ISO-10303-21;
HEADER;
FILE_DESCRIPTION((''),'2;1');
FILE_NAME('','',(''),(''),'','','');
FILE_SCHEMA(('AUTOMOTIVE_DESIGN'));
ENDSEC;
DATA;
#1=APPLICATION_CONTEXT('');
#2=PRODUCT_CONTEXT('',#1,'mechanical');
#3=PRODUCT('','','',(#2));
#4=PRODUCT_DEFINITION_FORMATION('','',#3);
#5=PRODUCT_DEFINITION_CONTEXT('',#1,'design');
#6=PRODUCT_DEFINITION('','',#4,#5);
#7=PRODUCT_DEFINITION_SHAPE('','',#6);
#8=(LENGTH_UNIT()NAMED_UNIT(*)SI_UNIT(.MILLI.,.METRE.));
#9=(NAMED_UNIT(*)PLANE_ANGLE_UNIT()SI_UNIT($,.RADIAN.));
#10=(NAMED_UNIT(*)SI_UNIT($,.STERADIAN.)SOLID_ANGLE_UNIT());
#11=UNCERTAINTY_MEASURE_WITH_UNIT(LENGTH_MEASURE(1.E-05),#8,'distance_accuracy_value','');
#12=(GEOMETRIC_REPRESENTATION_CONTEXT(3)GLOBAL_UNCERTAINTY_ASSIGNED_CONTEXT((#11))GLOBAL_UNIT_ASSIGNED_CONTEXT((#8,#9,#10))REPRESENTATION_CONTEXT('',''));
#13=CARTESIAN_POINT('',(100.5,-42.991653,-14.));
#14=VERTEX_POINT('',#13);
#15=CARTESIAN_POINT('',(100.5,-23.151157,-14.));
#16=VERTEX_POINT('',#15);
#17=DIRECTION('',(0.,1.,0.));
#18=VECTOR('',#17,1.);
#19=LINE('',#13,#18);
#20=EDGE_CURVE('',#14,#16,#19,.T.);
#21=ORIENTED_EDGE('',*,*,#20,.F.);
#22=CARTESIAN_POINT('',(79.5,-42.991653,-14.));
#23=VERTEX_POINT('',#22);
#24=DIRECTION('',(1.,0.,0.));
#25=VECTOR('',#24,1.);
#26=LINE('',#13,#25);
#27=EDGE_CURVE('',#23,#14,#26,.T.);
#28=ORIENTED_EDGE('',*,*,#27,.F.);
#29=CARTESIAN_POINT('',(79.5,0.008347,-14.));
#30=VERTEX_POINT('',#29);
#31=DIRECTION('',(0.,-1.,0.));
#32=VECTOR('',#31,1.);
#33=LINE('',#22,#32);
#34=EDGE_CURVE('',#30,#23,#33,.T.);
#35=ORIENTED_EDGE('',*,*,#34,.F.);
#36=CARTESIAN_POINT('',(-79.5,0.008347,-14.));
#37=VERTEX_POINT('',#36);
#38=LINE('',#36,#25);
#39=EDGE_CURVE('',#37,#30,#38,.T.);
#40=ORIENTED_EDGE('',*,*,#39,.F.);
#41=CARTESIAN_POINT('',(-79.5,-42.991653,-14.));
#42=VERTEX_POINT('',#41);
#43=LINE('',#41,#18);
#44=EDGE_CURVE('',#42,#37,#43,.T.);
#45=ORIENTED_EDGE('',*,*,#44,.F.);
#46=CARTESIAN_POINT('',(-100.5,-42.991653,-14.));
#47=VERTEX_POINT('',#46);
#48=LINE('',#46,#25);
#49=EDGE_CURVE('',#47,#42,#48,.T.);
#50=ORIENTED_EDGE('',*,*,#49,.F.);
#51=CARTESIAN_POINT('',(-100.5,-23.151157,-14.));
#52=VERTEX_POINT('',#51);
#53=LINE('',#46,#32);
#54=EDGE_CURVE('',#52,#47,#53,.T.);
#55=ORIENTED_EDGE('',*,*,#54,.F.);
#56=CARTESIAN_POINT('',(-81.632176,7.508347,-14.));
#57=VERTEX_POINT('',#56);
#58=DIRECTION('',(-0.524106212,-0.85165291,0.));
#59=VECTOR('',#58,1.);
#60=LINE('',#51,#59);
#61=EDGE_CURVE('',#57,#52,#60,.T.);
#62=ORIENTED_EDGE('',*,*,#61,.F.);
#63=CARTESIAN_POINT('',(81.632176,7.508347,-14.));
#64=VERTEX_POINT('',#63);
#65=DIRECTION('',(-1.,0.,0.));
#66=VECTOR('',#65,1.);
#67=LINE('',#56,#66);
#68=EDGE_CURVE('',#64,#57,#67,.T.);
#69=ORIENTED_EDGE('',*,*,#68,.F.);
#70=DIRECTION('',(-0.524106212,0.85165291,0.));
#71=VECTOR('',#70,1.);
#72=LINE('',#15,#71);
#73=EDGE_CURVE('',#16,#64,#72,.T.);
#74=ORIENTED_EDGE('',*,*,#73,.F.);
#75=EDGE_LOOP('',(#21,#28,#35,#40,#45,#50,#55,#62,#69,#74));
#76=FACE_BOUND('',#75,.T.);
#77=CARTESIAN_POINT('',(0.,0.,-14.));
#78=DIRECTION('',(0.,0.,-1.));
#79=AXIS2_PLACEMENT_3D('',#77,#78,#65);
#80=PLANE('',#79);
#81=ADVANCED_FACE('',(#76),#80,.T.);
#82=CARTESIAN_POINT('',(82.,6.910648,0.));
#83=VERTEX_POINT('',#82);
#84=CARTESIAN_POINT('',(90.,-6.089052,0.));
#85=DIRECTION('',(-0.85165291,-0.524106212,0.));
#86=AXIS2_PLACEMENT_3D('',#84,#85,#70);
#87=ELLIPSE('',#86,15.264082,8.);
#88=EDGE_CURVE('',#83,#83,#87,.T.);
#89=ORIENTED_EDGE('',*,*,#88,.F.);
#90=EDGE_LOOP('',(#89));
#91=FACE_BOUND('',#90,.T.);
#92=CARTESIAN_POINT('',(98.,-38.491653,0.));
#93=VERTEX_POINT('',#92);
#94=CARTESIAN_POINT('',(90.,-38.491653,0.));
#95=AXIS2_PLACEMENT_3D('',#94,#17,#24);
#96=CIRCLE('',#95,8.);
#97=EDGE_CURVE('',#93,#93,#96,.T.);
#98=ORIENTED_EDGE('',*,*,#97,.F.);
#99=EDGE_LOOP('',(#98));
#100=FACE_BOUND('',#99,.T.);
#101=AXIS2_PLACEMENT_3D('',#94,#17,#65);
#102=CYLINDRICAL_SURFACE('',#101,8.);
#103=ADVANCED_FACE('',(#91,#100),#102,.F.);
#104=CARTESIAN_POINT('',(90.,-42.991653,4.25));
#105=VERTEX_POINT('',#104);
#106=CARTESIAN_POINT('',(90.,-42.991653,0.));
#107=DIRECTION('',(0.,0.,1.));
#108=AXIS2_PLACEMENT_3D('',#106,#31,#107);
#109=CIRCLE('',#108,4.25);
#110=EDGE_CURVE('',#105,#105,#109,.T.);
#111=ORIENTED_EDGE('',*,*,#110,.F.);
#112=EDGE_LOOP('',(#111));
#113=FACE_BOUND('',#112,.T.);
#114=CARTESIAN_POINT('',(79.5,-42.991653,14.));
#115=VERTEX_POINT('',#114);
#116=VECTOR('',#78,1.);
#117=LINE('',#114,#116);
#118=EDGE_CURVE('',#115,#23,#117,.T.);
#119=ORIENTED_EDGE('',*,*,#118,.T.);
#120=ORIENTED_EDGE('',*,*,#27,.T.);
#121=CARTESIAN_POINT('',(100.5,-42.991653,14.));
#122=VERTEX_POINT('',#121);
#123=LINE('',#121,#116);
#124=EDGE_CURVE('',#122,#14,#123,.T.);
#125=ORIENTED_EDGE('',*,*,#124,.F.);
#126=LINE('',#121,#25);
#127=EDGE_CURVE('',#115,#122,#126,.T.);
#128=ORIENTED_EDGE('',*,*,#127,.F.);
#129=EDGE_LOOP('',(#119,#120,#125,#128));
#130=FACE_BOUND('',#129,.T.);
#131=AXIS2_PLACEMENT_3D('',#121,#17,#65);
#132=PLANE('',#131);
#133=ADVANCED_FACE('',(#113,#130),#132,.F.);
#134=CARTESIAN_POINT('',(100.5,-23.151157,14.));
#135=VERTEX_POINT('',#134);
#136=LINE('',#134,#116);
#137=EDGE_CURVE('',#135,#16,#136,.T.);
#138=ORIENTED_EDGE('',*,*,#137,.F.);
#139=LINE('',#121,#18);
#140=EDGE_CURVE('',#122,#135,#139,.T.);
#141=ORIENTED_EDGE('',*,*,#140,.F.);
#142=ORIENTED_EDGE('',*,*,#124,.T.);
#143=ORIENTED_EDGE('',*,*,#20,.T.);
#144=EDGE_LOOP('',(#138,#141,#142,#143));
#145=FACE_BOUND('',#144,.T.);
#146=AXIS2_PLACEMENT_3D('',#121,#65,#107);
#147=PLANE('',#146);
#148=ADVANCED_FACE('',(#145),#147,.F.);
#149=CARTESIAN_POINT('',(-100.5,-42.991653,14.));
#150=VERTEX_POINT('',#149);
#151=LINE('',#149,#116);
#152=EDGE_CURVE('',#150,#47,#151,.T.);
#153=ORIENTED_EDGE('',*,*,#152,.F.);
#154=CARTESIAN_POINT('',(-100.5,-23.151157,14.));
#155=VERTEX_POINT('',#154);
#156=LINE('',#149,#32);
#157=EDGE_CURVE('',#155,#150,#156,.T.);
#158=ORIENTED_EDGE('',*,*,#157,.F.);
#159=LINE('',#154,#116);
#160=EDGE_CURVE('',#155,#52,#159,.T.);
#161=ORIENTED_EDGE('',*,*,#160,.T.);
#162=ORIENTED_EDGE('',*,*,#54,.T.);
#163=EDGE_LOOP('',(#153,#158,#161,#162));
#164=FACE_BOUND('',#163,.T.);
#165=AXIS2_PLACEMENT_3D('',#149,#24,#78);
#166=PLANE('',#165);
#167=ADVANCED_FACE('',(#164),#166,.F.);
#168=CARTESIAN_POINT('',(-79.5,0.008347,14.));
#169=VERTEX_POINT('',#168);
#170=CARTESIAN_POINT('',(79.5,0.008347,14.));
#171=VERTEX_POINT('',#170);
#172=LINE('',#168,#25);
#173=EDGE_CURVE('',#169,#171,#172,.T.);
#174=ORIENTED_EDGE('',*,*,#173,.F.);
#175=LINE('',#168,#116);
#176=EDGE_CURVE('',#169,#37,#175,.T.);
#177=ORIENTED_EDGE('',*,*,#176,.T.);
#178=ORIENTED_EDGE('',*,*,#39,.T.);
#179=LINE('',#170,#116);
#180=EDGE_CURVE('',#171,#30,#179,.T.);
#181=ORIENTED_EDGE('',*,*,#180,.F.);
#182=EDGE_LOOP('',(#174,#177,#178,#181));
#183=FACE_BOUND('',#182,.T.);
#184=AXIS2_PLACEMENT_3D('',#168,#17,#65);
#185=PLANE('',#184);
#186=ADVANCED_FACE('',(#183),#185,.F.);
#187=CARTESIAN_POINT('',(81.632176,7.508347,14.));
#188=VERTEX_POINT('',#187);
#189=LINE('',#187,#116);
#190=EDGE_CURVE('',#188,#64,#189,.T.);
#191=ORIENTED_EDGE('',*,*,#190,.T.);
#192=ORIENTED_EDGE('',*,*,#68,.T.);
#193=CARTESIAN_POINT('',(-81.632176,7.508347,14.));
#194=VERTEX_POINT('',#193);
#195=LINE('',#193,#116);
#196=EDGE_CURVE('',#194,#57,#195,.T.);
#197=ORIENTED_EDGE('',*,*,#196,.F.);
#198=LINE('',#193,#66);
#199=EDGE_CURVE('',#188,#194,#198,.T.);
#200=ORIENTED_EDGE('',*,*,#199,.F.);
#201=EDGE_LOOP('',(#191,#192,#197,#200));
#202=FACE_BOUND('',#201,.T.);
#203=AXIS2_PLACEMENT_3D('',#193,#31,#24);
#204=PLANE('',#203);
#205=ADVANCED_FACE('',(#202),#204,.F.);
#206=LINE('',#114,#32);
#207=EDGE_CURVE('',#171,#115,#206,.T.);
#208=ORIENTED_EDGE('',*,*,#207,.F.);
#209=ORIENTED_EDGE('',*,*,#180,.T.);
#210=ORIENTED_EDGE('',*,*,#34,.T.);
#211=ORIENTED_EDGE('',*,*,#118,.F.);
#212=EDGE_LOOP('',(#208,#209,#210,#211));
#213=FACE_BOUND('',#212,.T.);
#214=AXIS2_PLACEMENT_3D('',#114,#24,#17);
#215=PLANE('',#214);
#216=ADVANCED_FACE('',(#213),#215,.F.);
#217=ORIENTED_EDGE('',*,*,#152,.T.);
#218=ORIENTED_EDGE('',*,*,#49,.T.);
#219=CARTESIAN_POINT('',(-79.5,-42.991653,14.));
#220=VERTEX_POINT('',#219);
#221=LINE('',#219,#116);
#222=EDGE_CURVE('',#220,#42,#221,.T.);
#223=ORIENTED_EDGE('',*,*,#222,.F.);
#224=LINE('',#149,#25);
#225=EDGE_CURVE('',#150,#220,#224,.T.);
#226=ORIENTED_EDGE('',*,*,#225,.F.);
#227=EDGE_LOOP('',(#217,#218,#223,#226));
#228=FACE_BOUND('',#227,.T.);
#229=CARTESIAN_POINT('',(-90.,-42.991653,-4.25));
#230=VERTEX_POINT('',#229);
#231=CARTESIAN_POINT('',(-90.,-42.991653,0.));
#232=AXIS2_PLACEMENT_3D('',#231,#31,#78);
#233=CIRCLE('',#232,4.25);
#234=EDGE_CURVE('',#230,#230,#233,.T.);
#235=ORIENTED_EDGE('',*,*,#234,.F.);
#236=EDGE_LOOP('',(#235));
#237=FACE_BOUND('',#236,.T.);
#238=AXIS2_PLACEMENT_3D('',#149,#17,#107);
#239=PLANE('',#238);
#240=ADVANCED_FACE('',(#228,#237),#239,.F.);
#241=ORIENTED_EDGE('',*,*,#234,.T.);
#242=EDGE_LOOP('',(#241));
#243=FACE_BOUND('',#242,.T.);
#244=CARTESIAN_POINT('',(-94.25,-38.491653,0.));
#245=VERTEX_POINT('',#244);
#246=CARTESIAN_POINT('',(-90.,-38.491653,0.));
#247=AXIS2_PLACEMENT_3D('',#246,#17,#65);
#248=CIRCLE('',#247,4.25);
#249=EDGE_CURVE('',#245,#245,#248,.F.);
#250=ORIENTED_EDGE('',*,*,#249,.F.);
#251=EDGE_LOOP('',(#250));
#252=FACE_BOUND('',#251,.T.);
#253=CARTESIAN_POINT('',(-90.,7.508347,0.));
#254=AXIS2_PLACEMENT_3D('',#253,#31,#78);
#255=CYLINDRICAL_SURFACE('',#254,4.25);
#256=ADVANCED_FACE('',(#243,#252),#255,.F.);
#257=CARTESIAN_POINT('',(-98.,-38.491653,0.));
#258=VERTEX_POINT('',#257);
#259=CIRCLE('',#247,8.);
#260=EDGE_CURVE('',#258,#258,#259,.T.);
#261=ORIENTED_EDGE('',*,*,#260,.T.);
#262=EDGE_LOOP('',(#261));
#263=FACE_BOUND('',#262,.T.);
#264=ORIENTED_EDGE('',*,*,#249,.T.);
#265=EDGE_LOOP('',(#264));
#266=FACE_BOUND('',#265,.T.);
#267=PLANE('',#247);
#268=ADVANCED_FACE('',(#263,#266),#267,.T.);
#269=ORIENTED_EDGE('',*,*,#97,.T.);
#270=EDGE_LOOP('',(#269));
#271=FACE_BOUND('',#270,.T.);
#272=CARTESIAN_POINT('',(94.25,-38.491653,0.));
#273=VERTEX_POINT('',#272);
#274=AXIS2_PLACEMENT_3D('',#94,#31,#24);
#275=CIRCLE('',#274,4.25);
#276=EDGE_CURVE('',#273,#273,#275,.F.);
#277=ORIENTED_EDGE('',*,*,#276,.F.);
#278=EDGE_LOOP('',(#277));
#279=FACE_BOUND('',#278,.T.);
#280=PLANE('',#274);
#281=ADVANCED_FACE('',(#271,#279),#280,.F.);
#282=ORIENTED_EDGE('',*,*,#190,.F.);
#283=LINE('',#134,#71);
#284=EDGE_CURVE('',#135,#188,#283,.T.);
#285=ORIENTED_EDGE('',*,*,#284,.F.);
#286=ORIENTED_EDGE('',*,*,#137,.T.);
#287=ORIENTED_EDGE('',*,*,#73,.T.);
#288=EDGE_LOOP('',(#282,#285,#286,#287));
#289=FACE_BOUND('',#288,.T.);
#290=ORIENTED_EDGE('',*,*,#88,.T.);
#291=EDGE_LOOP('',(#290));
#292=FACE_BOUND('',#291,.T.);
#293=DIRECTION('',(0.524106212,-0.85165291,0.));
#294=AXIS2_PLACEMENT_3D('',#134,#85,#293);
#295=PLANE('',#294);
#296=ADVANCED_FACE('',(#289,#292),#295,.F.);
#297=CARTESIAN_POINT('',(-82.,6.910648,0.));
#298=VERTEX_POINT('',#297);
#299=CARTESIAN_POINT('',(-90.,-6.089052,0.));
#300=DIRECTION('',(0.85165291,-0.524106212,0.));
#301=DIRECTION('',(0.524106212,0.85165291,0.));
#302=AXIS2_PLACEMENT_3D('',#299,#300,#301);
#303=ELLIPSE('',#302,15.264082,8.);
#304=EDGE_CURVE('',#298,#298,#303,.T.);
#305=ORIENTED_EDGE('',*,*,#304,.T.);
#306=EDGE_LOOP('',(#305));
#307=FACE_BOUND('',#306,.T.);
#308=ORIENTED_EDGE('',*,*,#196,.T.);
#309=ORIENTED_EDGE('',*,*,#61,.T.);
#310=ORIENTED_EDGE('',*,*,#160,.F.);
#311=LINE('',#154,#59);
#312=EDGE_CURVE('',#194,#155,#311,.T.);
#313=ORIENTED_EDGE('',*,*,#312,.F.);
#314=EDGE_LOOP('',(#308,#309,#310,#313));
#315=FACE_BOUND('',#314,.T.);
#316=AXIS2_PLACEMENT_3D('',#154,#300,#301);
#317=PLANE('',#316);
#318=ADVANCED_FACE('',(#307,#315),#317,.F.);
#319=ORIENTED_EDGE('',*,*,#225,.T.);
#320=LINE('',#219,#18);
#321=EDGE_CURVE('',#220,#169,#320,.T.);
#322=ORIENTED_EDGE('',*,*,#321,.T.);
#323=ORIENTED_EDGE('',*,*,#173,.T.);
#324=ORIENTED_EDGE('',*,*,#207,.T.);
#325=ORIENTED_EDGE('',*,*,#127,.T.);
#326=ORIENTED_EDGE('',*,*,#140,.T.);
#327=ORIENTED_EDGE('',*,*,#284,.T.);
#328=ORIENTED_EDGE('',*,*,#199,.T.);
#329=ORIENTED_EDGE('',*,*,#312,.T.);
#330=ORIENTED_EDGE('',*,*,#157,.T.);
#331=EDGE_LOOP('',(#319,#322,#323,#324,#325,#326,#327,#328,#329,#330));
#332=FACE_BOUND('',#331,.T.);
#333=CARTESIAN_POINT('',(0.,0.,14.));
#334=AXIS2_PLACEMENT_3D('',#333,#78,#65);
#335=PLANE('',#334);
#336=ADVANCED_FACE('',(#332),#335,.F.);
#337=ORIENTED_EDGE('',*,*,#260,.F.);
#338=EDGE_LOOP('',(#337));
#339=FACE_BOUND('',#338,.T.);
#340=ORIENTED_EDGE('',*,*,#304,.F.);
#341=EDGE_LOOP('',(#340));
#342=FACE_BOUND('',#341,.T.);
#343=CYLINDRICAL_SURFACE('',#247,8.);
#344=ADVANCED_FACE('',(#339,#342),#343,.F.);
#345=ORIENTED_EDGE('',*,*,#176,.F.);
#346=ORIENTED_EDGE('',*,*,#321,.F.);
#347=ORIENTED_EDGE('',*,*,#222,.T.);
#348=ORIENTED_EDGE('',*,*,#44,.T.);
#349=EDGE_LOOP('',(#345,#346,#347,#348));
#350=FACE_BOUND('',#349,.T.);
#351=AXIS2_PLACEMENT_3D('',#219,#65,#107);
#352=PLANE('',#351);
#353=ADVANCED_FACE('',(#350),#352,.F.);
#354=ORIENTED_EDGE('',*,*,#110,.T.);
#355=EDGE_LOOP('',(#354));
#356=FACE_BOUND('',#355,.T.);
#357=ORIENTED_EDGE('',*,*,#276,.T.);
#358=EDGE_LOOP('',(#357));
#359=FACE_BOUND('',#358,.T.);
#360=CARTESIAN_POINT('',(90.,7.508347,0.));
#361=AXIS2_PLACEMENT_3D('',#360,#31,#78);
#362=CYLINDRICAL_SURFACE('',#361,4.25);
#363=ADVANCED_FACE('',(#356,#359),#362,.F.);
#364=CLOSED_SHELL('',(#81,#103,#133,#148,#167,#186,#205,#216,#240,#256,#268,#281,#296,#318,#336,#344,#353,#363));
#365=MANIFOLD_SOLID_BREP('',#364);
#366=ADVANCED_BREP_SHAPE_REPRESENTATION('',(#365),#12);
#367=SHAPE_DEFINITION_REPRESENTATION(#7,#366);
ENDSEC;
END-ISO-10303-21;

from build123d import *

# Parameters (mm, degrees)
EXTRUDE_1_DEPTH     = 14
SKETCH_3_R          = 4.25
CUT_EXTRUDE_1_DEPTH = 51.5
SKETCH_4_R          = 8
CUT_EXTRUDE_2_DEPTH = 46


with BuildPart() as part:
    # 草图1 → 凸台-拉伸1 (new body, symmetric)
    with BuildSketch(Plane.XY):
        Polygon((-100.5, -42.991652571), (-79.5, -42.991652571), (-79.5, 0.008347429), (79.5, 0.008347429), (79.5, -42.991652571), (100.5, -42.991652571), (100.5, -23.151157314), (81.63217636, 7.508347429), (-81.63217636, 7.508347429), (-100.5, -23.151157314), align=None)
    extrude(amount=EXTRUDE_1_DEPTH, both=True)

    # 草图3 → 切除-拉伸1 (cut, through all)
    with BuildSketch(Plane.XZ.offset(42.991652571)):
        with Locations((-90, 0)):
            Circle(SKETCH_3_R)
        with Locations((90, 0)):
            Circle(SKETCH_3_R)
    extrude(amount=-CUT_EXTRUDE_1_DEPTH, mode=Mode.SUBTRACT)

    # 草图4 → 切除-拉伸2 (cut)
    with BuildSketch(Plane(origin=(0, 7.508347429, 0), x_dir=(1, 0, 0), z_dir=(0, 1, 0))):
        with Locations((-90, 0)):
            Circle(SKETCH_4_R)
        with Locations((90, 0)):
            Circle(SKETCH_4_R)
    extrude(amount=-CUT_EXTRUDE_2_DEPTH, mode=Mode.SUBTRACT)


solid = part.part
